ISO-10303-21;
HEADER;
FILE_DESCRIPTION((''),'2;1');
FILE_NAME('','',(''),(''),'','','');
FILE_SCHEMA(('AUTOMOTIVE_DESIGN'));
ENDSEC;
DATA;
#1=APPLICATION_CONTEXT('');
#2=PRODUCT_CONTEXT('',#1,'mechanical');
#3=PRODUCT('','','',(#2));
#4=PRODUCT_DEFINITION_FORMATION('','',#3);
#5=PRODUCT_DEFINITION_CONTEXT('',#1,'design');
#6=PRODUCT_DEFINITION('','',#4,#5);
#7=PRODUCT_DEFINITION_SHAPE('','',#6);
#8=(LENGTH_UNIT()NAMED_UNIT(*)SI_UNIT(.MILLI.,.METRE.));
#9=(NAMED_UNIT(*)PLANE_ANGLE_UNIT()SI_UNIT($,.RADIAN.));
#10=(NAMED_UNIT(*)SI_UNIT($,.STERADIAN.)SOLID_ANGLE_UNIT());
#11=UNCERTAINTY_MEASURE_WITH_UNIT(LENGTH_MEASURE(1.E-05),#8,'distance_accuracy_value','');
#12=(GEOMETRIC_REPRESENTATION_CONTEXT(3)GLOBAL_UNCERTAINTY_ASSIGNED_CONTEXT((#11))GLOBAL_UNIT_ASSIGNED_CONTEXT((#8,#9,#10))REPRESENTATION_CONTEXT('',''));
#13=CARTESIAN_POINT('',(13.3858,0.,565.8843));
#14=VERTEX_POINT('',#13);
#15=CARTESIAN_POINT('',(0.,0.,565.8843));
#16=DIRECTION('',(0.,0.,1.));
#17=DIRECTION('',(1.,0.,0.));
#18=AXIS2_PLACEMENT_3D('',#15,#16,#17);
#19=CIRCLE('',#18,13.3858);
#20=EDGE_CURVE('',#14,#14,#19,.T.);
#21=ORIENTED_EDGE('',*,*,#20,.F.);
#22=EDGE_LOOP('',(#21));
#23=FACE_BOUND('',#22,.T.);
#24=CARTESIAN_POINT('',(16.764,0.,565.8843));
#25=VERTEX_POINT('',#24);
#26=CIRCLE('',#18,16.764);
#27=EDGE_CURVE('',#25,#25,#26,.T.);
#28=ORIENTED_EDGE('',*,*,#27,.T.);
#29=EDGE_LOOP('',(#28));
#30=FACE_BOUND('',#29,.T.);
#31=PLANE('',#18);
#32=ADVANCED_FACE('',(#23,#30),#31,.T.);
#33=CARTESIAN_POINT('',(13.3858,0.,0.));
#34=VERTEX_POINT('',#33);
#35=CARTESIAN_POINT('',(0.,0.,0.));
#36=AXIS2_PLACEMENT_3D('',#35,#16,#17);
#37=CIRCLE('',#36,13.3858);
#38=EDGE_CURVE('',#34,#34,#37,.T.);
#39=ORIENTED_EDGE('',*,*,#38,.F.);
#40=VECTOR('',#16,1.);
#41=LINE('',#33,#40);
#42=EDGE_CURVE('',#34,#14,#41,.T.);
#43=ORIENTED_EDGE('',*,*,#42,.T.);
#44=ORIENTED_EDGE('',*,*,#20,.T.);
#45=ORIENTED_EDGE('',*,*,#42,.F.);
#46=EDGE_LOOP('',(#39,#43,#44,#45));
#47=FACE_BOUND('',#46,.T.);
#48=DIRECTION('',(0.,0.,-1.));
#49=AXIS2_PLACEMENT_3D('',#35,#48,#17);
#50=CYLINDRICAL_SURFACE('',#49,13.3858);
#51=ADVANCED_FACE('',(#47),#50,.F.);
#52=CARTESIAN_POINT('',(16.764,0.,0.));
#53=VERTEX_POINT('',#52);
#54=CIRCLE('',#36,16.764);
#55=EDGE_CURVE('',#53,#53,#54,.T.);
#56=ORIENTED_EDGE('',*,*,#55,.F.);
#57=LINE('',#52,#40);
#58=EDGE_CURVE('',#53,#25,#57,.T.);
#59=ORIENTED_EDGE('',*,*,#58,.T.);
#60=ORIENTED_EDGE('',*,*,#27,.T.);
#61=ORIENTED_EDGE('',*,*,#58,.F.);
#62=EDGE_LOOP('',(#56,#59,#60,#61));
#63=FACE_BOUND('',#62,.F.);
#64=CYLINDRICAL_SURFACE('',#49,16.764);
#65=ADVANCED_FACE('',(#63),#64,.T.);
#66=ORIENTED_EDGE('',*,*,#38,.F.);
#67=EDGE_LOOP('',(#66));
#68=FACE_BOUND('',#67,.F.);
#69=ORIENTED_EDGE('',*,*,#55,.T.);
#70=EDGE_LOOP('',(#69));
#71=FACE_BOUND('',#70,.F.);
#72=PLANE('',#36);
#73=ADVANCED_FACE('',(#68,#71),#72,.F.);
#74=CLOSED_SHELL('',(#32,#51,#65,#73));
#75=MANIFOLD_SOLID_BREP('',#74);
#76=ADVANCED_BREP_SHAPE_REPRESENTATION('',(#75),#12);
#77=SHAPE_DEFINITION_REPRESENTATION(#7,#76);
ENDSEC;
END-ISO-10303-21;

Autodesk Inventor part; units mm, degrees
ref_plane "YZ Plane" through (0, 0, 0) normal (1, 0, 0) x (0, 1, 0)
ref_plane "Start plane" through (0, 0, 0) normal (0, 0, 1) x (1, 0, 0)
ref_plane "End plane" through (0, 0, 565.8843) normal (0, 0, 1) x (1, 0, 0)
sketch "Sketch" plane through (0, 0, 0) normal (0, 0, 1) x (1, 0, 0)
  circle A0 centre (0, 0) radius 13.3858
  circle A1 centre (0, 0) radius 16.764
  dimension "d0" = 33.528
  dimension "d1" = 3.3782
extrude "Body" add sketch "Sketch" along normal up to surface (565.8843 mm away) from surface at 0
sketch "Sketch3" plane through (0, 0, 0) normal (0, 0, 1) x (1, 0, 0)
  line L0 (0, 0) -> (10, 0)
ref_plane "Work Plane3" through (0, 0, 0) normal (0, -1, 0) x (1, 0, 0)
sketch "Sketch4" plane through (0, 0, 0) normal (0, -1, 0) x (1, 0, 0)
  line L0 (-2, 0) -> (12, 0) projected
  line L1 (-2, 565.8843) -> (12, 565.8843) projected
  dimension "d7" = 565.8843
equation "\"d0\" = G_H"
equation "\"d1\" = G_T"
equation "\"d2\" = G_L"
equation "\"G_H\" = 33.528"
equation "\"G_T\" = 3.3782"
equation "\"G_L\" = d7"
equation "\"G_OFFSET_START\" = 0"
equation "\"G_OFFSET_END\" = 0"
equation "\"d5\" = G_OFFSET_END + B_L"
equation "\"B_L\" = 565.88426"
properties part number "ANSI - 1 x 0.133 - 22.279" material "Steel, Mild"
